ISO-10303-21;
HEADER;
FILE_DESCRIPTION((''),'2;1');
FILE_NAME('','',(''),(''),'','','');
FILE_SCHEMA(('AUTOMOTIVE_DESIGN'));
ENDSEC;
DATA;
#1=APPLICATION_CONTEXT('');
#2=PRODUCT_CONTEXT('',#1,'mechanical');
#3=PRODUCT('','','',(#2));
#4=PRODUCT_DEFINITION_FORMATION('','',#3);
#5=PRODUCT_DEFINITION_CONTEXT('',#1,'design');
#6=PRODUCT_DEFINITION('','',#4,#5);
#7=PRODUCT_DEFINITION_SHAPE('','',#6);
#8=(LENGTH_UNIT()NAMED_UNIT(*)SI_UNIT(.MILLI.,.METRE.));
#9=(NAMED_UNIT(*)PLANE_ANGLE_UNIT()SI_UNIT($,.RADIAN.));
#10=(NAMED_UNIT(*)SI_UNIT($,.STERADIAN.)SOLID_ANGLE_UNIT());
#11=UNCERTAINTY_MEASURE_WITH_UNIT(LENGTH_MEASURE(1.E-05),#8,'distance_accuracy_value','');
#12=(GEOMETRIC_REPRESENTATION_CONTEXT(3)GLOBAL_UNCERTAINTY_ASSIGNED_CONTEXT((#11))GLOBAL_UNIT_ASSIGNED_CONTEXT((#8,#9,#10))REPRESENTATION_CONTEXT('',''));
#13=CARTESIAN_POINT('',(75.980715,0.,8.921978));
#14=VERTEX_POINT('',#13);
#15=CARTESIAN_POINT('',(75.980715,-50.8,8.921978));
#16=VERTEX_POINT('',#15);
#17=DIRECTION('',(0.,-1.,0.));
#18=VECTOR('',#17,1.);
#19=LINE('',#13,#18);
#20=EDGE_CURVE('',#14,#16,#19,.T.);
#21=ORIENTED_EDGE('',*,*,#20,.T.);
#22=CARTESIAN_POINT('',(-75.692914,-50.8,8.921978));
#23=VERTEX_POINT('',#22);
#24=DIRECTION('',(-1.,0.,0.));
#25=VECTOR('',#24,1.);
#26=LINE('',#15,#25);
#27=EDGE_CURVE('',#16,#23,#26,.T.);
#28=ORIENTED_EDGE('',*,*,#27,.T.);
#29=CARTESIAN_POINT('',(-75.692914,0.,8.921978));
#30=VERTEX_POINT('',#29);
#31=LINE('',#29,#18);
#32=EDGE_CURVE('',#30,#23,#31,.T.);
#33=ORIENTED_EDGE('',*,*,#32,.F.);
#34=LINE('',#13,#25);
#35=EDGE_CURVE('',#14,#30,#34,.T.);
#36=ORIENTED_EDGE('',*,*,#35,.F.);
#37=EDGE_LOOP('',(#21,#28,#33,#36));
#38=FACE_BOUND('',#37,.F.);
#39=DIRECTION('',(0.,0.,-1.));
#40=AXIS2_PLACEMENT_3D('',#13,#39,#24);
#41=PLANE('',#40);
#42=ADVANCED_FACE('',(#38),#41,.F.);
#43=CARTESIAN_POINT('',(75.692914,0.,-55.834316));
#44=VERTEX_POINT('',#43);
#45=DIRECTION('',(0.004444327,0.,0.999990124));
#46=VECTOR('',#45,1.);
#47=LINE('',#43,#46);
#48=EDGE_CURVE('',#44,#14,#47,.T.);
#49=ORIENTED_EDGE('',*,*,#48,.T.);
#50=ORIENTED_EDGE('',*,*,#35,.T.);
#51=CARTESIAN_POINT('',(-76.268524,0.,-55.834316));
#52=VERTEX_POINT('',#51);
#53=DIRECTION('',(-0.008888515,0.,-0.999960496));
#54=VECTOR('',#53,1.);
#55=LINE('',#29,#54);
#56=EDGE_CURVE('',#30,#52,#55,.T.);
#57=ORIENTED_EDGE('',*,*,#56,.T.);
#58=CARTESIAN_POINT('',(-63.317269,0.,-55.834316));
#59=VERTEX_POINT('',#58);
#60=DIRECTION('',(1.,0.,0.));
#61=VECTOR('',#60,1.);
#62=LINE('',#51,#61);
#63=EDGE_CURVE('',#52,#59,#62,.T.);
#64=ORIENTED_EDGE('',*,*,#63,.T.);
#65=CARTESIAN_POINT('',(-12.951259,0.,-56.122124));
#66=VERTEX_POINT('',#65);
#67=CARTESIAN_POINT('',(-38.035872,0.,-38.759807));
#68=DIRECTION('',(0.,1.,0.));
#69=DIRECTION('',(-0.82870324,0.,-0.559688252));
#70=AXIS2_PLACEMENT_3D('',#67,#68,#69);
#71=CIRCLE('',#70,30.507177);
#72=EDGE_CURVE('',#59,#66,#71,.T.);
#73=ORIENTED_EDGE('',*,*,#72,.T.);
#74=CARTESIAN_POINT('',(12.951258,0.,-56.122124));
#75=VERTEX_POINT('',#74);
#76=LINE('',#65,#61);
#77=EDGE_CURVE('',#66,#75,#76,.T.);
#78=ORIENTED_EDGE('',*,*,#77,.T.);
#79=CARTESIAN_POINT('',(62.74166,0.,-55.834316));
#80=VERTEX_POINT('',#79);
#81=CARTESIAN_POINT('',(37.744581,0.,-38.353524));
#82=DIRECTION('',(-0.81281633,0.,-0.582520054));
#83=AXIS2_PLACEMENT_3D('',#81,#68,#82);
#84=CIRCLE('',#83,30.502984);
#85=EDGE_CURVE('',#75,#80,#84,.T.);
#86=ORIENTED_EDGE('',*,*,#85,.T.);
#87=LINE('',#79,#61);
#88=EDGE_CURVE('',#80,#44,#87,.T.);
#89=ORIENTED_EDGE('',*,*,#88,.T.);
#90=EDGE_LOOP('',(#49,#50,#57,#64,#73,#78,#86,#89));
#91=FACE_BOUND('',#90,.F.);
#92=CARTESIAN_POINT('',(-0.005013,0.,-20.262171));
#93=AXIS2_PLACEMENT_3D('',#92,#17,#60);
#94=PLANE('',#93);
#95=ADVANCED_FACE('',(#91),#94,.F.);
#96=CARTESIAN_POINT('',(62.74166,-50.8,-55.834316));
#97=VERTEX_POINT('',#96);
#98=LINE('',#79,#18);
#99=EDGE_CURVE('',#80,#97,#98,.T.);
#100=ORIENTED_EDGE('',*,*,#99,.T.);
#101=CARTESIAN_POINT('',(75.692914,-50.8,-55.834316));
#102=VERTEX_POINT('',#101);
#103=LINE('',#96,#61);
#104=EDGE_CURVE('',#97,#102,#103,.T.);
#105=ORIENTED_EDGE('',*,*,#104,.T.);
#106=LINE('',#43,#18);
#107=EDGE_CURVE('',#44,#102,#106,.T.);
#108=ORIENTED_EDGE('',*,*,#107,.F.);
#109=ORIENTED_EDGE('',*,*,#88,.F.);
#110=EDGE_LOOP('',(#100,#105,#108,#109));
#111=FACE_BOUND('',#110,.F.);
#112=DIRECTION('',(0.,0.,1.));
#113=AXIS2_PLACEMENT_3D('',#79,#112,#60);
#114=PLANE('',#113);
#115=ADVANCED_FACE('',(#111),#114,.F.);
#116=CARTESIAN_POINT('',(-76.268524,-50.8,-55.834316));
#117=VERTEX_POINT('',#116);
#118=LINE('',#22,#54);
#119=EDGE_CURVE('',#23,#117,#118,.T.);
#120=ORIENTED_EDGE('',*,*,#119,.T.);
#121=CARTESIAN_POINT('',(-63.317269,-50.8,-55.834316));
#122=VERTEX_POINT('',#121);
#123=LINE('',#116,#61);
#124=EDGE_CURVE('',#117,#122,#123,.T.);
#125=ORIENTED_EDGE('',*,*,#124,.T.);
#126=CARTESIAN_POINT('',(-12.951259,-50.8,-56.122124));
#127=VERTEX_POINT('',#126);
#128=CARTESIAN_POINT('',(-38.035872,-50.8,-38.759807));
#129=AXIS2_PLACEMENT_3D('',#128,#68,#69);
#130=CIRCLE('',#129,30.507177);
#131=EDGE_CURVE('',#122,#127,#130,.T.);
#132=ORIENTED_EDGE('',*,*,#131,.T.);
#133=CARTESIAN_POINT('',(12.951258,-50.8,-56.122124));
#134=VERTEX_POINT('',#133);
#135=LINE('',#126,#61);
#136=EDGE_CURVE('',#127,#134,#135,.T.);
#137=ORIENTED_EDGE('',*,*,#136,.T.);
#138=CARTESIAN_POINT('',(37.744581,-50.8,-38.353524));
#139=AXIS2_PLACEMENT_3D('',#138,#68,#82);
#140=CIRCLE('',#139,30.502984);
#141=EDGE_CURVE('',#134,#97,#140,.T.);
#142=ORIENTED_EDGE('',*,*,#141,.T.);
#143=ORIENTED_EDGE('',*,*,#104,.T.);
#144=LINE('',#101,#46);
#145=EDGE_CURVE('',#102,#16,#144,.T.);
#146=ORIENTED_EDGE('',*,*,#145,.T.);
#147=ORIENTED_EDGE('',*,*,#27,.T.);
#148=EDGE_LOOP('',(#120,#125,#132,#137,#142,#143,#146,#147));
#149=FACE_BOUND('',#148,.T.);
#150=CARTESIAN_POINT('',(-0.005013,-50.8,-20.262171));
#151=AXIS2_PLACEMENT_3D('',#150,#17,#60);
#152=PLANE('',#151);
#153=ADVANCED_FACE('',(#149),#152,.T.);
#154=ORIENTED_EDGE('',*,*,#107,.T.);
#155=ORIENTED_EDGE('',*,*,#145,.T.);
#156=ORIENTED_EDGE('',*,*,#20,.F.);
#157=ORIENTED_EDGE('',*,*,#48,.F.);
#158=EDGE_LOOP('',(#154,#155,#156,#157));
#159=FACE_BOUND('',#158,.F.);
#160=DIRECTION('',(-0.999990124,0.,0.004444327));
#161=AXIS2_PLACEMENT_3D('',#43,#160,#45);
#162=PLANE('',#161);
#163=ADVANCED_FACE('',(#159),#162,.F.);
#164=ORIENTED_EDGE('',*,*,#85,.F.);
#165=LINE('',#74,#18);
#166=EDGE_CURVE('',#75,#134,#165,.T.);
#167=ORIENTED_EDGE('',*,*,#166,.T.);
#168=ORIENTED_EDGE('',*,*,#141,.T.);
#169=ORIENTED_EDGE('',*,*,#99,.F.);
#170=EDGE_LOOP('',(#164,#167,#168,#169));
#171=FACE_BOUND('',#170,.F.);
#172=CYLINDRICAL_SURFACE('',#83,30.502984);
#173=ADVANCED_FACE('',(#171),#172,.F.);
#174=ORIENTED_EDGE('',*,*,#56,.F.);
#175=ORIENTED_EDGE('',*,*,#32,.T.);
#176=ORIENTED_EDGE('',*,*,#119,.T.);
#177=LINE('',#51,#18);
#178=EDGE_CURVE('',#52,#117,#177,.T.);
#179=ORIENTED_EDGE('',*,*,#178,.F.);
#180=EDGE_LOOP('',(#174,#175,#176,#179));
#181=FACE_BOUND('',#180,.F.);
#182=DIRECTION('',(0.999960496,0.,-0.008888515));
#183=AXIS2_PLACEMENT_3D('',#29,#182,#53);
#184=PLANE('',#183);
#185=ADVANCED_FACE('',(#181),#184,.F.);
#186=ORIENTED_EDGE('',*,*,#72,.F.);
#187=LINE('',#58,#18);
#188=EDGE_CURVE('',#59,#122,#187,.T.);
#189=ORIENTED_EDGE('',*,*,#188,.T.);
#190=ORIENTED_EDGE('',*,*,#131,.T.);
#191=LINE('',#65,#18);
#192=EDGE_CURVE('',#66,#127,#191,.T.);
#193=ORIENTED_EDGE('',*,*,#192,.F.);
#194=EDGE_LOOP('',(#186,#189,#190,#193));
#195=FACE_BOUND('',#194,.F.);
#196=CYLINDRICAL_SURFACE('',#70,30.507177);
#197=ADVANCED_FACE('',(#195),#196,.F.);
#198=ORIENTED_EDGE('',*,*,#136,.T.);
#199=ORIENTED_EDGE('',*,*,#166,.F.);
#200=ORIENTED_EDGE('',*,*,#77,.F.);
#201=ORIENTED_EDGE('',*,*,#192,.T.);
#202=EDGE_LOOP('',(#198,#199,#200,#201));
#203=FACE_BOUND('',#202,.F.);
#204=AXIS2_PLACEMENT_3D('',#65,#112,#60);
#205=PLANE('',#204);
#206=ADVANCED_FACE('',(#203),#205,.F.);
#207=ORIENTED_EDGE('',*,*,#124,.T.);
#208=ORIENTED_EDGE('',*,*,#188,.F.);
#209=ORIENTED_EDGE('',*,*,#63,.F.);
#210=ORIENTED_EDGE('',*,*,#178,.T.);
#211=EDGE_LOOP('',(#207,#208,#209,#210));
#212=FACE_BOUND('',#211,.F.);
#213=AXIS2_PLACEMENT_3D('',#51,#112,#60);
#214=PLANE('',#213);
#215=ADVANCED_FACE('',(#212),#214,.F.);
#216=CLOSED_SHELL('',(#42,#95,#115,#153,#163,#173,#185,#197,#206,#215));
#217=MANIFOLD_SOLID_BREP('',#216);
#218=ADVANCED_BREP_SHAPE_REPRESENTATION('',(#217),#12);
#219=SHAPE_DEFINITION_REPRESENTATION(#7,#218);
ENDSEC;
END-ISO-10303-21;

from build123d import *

# Parameters (mm, degrees)
F1_DEPTH = 50.8


with BuildPart() as f1:
    # F0 (on Front) → F1 (new body)
    with BuildSketch(Plane.XZ):
        with BuildLine():
            Line((75.980715, 8.921978), (-75.692914, 8.921978))
            Line((-75.692914, 8.921978), (-76.268524, -55.834316))
            Line((-76.268524, -55.834316), (-63.317269, -55.834316))
            ThreePointArc((-63.317269, -55.834316), (-37.861546, -8.253128), (-12.951259, -56.122124))
            Line((-12.951259, -56.122124), (0, -56.122124))
            Line((0, -56.122124), (12.951258, -56.122124))
            ThreePointArc((12.951258, -56.122124), (37.568264, -7.85105), (62.74166, -55.834316))
            Line((62.74166, -55.834316), (75.692914, -55.834316))
            Line((75.692914, -55.834316), (75.980715, 8.921978))
        make_face()
    extrude(amount=F1_DEPTH)


solid = f1.part
